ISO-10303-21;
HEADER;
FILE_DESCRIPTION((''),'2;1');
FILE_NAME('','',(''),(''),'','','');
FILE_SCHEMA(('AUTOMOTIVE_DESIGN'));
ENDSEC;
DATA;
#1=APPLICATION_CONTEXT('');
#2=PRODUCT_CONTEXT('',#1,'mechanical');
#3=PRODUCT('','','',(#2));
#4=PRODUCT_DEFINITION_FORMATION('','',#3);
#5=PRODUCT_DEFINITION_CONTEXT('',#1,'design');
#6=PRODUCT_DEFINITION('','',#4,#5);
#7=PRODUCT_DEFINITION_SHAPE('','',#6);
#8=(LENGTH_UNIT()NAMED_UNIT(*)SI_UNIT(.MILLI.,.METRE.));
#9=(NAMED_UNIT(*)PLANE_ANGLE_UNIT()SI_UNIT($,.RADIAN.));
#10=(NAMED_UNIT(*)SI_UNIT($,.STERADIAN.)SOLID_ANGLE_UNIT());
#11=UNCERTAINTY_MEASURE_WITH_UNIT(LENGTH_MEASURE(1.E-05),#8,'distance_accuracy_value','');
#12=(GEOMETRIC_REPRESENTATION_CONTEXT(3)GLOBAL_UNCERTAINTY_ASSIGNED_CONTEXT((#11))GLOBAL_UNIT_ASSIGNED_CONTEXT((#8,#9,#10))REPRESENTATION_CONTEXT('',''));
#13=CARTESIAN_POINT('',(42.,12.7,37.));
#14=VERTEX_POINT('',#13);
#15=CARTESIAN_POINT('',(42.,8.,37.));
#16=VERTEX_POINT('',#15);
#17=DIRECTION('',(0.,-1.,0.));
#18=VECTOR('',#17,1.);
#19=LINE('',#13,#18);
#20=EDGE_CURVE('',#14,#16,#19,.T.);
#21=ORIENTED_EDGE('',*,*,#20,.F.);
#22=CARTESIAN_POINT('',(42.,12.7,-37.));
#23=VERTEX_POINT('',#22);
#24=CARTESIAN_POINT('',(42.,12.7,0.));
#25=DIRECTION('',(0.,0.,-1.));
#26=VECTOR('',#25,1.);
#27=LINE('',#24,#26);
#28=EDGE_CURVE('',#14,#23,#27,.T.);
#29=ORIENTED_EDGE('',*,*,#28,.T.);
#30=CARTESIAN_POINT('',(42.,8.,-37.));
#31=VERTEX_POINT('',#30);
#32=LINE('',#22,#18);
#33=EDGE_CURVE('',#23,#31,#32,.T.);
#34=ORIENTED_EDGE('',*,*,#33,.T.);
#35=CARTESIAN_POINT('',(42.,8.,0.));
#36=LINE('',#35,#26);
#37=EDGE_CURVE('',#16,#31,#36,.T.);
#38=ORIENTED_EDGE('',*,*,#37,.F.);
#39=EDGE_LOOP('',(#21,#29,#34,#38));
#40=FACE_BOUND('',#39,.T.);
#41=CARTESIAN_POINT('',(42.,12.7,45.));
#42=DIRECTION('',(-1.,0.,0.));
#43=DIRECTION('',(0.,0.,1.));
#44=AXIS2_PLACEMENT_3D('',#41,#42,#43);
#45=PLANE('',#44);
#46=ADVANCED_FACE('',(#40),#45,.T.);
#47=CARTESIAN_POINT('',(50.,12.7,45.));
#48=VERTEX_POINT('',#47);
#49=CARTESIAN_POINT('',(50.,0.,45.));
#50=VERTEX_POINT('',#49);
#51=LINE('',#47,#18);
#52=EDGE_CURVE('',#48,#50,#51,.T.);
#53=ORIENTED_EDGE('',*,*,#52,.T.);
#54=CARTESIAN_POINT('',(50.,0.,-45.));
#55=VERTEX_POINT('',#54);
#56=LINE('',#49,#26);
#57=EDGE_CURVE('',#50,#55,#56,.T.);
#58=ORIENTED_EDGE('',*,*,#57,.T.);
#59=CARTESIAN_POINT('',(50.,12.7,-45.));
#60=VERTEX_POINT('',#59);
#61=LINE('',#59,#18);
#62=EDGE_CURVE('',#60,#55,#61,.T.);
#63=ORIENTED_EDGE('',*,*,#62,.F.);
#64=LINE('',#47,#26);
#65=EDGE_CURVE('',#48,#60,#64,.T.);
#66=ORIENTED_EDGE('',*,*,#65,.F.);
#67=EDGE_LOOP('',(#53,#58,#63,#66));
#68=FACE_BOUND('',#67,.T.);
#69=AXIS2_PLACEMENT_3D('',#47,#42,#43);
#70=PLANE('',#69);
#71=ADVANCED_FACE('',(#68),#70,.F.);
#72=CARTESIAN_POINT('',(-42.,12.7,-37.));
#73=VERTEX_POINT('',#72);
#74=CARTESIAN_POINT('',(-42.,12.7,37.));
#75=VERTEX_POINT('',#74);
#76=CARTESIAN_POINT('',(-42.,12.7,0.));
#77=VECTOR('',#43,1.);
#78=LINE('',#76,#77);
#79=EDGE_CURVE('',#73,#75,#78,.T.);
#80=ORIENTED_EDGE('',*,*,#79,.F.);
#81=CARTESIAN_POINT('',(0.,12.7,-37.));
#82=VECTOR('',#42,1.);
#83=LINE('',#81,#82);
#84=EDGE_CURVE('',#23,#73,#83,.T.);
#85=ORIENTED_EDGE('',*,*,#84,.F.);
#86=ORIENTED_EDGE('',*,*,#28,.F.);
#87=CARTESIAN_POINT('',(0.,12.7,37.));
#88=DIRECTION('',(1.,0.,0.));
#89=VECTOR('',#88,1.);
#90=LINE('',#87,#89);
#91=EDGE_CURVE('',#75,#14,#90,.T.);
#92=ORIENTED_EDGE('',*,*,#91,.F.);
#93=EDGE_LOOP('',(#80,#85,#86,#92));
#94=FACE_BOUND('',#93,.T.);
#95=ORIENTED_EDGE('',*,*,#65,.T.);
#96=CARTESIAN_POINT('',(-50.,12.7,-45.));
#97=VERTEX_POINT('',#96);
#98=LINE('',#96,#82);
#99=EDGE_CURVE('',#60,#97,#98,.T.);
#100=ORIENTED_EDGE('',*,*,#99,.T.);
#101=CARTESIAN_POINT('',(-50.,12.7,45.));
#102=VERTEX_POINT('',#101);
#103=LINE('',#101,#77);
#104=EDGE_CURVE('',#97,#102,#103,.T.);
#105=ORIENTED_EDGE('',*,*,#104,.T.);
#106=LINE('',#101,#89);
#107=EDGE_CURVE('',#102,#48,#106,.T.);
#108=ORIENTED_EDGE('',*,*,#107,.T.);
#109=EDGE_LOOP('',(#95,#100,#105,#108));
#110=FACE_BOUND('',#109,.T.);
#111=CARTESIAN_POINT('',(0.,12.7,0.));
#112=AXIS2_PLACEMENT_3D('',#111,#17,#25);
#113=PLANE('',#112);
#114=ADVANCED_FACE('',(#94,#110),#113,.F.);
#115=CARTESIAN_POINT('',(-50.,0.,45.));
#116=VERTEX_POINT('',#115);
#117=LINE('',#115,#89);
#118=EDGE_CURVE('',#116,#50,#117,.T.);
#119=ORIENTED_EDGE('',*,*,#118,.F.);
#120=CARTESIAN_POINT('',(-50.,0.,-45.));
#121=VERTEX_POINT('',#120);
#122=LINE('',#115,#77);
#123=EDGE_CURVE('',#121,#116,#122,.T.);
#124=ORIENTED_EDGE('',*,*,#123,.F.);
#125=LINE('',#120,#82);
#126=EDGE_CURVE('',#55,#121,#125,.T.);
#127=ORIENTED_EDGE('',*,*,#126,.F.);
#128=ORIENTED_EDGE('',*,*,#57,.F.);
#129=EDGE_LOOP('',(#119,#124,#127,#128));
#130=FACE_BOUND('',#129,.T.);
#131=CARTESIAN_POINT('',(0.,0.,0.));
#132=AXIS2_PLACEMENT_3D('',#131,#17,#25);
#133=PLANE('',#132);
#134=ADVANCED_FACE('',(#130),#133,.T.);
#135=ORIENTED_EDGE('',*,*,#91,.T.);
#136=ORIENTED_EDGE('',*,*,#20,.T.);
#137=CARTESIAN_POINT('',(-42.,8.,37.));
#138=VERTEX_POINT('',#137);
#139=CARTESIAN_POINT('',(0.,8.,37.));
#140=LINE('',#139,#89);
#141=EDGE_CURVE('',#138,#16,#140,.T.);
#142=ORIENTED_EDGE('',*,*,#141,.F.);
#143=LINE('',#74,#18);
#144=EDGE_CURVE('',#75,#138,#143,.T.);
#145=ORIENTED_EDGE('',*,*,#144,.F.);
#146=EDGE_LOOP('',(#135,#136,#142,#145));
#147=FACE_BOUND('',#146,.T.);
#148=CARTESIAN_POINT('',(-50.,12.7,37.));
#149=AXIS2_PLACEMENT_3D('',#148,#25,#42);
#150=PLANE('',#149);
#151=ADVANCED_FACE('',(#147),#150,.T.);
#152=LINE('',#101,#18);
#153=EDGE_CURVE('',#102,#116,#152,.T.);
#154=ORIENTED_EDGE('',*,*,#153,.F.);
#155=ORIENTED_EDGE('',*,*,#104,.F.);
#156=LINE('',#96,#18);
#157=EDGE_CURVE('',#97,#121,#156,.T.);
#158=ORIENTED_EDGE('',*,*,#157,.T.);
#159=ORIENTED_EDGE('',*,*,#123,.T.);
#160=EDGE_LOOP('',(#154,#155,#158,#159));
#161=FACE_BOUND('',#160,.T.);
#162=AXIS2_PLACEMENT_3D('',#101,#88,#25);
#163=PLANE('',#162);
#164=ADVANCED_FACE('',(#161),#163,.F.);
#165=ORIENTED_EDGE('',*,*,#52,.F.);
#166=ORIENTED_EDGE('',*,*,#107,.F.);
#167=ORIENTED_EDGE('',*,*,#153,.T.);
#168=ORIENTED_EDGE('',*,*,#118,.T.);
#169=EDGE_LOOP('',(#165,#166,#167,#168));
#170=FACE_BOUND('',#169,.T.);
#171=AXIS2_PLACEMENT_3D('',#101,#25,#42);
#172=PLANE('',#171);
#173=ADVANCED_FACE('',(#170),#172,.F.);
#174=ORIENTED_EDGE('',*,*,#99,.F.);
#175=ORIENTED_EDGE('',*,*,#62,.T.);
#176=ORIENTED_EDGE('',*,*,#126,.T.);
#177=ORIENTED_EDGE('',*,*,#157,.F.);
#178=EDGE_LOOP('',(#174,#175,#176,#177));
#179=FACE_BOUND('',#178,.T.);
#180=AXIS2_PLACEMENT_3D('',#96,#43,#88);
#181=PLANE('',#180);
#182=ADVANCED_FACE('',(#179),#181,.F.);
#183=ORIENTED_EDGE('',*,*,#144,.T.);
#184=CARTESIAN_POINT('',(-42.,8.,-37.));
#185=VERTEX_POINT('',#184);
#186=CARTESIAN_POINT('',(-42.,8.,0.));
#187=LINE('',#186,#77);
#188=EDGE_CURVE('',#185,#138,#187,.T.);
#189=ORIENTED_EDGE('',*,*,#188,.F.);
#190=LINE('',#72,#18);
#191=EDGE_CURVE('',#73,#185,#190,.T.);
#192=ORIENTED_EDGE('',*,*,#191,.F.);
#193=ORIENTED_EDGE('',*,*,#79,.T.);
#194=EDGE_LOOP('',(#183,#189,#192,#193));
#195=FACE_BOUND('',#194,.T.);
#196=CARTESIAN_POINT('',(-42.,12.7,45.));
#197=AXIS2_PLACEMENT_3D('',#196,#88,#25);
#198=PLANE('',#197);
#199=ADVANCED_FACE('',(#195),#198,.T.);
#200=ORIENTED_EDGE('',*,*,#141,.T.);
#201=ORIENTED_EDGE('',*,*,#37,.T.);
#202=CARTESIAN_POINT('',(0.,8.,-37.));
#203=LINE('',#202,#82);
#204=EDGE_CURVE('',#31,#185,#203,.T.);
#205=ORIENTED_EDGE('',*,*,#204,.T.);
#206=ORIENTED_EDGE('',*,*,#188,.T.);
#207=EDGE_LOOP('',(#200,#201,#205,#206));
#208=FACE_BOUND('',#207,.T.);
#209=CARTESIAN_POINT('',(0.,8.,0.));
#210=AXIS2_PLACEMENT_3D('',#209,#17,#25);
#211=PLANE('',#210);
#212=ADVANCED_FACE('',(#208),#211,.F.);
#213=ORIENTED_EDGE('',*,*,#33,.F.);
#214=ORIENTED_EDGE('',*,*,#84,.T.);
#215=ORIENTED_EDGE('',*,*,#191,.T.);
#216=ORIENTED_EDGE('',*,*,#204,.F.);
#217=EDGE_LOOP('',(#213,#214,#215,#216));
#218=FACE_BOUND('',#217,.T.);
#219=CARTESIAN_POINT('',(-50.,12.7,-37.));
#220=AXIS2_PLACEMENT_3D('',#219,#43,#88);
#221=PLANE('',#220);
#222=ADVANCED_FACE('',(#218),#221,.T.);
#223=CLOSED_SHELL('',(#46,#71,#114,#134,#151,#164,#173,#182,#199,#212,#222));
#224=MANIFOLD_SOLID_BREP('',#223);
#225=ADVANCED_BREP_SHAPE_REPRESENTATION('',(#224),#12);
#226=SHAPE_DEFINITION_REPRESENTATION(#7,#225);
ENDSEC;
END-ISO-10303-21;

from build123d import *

# Parameters (mm, degrees)
SKETCH1_W           = 100
SKETCH1_H           = 90
BOSS_EXTRUDE1_DEPTH = 12.7
SHELL1_T            = -8


with BuildPart() as part:
    # Sketch1 → Boss-Extrude1 (new body)
    with BuildSketch(Plane(origin=(0, 0, 0), x_dir=(1, 0, 0), z_dir=(0, 1, 0))):
        Rectangle(SKETCH1_W, SKETCH1_H)
    extrude(amount=BOSS_EXTRUDE1_DEPTH)

    # Shell1
    shell1_openings = [part.faces().sort_by_distance(p)[0] for p in [
        (0, 12.7, 0),
    ]]
    offset(amount=SHELL1_T, openings=shell1_openings, kind=Kind.INTERSECTION)


solid = part.part
